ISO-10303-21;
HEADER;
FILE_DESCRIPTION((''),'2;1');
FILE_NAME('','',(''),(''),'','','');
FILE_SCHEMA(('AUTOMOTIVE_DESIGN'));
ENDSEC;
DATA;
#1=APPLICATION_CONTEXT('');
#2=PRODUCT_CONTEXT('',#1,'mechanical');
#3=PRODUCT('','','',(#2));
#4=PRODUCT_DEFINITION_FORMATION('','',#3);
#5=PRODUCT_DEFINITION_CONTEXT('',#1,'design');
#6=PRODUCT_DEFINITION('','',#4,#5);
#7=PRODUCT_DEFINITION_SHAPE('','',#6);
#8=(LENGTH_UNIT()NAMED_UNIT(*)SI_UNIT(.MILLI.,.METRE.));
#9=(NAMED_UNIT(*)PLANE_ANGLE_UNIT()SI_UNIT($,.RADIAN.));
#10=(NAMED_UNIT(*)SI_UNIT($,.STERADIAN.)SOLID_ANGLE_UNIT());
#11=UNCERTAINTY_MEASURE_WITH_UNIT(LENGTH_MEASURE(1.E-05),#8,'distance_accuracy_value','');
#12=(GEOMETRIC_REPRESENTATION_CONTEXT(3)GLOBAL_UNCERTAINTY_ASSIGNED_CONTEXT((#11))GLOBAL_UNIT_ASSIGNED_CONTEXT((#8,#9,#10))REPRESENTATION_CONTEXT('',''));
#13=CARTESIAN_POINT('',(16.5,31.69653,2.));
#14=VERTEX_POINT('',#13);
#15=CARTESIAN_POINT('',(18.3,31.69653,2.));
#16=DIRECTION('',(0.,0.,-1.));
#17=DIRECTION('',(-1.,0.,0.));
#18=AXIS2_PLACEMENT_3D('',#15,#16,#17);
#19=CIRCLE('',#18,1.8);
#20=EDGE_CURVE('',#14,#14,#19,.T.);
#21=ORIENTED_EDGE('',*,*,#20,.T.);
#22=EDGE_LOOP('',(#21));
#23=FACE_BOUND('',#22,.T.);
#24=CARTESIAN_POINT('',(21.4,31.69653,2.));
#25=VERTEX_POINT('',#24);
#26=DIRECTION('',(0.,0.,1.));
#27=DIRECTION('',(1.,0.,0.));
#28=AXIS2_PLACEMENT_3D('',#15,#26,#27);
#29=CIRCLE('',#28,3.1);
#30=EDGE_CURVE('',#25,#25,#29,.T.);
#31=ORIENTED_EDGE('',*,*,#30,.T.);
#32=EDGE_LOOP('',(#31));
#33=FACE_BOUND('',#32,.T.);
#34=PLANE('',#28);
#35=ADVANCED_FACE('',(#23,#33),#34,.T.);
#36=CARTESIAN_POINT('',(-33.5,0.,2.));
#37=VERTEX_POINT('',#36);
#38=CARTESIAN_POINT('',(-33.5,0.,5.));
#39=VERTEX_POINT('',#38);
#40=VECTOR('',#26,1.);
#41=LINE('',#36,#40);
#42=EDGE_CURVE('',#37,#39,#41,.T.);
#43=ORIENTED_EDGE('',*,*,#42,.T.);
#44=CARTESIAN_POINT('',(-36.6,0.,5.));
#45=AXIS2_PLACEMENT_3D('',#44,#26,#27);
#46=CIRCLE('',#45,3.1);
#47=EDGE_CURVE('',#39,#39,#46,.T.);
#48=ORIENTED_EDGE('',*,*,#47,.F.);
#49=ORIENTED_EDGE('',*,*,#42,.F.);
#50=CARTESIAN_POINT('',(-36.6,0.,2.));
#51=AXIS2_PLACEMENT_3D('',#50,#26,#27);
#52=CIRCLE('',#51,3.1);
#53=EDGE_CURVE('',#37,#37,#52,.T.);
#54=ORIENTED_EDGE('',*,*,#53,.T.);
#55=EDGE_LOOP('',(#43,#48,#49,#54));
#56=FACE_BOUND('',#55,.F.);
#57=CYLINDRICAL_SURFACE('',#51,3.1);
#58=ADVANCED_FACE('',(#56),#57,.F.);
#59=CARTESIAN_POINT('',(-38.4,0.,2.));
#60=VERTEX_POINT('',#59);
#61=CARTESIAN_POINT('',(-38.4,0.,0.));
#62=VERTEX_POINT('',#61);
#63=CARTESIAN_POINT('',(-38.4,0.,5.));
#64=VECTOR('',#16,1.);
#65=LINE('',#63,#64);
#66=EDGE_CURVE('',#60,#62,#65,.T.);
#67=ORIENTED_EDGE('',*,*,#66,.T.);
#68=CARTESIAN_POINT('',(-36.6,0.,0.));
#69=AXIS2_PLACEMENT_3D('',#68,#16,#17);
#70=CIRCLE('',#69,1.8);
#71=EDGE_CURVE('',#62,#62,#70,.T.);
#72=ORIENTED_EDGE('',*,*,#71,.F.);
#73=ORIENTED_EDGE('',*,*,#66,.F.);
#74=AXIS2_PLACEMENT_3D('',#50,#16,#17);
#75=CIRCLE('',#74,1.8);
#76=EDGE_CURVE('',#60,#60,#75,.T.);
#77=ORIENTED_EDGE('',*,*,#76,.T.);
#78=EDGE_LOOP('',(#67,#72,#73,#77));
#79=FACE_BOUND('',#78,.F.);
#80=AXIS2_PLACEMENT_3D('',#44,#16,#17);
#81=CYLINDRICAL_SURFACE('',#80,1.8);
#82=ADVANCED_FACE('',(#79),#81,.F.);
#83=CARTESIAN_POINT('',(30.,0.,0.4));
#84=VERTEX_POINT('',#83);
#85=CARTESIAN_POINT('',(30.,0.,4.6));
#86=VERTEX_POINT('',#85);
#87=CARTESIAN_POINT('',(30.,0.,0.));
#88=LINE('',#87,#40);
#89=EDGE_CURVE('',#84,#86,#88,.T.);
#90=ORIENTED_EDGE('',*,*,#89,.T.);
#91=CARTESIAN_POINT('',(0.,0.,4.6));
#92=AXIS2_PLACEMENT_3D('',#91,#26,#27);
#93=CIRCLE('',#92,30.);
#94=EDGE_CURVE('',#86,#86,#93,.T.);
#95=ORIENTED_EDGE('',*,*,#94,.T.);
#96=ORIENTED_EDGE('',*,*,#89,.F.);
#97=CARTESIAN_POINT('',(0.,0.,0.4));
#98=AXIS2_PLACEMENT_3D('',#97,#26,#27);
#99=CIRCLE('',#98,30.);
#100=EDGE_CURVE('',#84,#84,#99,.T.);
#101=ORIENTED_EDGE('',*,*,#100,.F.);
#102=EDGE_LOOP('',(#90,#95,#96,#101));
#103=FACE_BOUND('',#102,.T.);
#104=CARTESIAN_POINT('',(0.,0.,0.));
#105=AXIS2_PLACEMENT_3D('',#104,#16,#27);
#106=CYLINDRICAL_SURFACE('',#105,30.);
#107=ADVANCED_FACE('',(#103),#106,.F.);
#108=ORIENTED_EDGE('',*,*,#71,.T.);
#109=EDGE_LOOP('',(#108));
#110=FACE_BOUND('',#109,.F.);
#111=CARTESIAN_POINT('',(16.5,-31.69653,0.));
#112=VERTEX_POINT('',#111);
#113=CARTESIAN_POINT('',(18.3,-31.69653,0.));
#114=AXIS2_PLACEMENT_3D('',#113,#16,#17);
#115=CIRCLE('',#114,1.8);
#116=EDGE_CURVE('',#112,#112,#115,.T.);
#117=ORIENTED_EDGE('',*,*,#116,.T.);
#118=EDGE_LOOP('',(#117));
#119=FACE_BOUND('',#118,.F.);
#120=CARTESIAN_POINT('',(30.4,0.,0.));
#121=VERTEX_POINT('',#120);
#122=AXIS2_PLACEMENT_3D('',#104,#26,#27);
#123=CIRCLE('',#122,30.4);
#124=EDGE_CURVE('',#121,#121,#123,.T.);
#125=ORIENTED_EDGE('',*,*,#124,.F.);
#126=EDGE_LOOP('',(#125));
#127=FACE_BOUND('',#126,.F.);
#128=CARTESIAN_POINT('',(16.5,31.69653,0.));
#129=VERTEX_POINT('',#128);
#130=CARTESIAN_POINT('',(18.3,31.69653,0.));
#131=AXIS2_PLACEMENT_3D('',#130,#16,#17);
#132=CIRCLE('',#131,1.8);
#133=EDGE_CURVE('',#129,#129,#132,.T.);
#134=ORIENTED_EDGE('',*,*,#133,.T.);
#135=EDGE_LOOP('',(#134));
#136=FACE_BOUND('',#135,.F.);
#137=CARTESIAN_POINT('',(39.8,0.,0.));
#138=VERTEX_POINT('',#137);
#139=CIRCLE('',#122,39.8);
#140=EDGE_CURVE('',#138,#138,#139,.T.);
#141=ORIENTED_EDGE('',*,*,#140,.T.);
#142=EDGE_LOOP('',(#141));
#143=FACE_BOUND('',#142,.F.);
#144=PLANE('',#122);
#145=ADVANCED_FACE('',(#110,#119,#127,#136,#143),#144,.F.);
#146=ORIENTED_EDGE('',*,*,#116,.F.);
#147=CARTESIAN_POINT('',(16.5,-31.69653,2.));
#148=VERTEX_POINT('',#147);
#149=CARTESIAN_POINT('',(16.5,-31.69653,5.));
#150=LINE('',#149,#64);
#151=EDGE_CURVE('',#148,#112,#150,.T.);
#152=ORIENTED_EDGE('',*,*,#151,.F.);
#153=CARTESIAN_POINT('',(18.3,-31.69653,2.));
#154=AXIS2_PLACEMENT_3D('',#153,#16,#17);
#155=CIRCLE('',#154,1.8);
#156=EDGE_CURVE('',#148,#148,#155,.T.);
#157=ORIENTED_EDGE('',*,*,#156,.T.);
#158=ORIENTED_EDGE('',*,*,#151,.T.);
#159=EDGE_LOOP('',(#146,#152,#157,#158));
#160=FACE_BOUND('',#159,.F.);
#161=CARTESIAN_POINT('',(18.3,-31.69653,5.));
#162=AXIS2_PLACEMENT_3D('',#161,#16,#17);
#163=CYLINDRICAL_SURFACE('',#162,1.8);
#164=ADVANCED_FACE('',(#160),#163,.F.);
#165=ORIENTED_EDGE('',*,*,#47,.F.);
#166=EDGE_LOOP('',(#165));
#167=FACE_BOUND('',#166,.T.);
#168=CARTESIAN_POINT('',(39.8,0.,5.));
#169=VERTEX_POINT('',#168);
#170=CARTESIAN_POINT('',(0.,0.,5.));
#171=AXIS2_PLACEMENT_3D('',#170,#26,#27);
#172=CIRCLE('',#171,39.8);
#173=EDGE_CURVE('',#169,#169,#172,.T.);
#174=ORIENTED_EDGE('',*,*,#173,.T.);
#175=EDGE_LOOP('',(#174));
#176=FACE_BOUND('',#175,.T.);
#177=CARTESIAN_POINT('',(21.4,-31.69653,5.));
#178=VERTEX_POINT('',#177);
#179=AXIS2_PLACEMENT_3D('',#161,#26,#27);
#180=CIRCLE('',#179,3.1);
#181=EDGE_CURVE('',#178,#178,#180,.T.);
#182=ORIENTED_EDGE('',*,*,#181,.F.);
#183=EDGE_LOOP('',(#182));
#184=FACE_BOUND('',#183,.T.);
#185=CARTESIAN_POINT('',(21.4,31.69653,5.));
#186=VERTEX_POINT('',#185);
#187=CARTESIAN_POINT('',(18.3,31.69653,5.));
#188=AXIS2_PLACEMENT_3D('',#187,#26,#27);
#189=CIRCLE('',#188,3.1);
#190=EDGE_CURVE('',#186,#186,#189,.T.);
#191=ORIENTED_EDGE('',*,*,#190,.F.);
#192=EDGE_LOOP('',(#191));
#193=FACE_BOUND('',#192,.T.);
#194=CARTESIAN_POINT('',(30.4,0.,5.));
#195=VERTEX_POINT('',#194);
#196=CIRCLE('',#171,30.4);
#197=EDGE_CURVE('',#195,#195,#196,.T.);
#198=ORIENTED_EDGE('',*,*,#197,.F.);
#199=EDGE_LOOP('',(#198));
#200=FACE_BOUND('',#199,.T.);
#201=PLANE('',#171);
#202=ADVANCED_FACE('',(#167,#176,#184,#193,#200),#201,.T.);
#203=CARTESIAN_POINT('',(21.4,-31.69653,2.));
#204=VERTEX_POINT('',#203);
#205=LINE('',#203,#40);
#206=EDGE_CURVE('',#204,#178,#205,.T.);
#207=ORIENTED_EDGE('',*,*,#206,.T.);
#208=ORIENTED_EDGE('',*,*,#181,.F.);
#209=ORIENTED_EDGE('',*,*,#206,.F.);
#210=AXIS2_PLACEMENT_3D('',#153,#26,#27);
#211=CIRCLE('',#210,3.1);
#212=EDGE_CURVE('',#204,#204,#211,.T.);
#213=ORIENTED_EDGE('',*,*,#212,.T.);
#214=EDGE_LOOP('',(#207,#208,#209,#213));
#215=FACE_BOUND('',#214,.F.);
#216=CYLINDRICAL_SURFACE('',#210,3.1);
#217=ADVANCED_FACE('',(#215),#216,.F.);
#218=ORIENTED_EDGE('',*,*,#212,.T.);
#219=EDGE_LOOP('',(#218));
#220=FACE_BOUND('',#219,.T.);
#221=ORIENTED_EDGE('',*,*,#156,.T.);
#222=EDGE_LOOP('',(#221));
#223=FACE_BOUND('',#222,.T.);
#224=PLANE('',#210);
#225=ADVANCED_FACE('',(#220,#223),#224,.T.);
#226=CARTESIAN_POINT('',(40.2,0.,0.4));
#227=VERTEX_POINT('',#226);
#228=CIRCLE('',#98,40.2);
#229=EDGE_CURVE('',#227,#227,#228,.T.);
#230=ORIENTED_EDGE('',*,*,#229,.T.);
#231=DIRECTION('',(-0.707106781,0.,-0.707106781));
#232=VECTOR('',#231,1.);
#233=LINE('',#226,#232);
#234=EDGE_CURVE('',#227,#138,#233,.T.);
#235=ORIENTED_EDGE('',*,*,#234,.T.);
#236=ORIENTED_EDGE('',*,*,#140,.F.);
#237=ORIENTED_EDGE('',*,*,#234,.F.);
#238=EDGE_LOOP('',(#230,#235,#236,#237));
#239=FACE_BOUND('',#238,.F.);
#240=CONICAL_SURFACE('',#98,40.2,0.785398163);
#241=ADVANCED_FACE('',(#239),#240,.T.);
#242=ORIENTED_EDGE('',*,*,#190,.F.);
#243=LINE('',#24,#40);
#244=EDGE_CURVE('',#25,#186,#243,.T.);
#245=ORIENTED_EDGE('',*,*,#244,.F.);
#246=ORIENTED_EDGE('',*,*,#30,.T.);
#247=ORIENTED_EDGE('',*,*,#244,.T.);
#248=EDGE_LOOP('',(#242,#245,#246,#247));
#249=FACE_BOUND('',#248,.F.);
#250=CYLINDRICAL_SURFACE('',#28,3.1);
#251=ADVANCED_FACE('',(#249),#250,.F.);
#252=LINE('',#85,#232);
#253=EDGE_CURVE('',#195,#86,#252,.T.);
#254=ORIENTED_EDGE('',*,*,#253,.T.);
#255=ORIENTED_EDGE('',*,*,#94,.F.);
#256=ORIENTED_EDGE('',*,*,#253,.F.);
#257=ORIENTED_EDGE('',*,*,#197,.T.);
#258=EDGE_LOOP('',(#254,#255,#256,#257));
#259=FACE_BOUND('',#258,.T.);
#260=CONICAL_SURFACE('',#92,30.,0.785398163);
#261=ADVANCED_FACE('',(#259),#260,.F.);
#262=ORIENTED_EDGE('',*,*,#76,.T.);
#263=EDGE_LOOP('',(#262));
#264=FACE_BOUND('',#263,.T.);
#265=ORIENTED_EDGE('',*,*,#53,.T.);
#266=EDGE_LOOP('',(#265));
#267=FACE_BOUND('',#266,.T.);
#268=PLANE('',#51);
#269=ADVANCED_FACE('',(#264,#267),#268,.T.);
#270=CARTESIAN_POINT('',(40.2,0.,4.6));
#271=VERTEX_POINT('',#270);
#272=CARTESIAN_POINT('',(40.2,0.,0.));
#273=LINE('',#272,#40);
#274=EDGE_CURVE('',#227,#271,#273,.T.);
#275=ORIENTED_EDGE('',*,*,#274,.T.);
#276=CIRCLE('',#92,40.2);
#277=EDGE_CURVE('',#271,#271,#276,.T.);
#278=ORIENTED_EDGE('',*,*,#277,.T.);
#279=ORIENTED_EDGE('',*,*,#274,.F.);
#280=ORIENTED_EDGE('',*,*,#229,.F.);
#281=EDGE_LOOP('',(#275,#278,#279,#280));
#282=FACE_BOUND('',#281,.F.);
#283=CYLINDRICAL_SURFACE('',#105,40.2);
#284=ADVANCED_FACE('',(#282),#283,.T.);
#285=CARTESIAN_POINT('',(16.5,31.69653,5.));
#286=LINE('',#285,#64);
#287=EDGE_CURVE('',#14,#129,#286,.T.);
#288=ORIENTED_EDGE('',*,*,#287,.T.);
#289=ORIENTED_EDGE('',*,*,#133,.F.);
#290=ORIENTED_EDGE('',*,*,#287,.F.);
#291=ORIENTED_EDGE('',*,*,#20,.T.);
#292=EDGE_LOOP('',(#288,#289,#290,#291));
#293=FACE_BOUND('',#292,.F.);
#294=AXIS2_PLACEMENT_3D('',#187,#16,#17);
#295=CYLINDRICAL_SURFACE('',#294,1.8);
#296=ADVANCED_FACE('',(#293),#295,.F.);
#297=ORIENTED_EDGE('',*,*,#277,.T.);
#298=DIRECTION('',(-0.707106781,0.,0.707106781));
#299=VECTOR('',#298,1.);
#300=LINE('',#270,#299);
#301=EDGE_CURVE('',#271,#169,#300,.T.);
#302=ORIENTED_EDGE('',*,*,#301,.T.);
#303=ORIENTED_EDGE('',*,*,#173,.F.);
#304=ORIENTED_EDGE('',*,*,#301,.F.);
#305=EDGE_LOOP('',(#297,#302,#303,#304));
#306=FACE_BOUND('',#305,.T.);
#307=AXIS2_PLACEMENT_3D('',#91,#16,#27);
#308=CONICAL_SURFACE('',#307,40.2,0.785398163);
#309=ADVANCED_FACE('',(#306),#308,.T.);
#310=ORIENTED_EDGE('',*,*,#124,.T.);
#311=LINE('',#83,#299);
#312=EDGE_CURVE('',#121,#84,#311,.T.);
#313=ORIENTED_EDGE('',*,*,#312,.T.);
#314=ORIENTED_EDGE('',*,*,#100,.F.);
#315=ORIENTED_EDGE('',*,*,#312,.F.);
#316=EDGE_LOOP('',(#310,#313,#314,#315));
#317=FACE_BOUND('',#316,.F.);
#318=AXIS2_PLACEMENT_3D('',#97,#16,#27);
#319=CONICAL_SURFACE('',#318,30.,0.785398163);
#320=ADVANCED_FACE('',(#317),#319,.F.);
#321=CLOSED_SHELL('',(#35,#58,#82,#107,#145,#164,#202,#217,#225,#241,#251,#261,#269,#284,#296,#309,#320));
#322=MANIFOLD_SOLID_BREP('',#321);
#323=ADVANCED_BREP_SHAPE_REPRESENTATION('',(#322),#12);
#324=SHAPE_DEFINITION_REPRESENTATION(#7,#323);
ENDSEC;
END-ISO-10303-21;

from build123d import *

# Parameters (mm, degrees)
SKETCH_R         = 40.2
SKETCH_R_2       = 30
PAD_DEPTH        = 5
HOLE_D           = 3.6
HOLE_DEPTH       = 5
HOLE_CBORE_D     = 6.2
HOLE_CBORE_DEPTH = 3
CHAMFER_SIZE     = 0.4


with BuildPart() as part:
    # Sketch → Pad (new body)
    with BuildSketch(Plane.XY):
        Circle(SKETCH_R)
        Circle(SKETCH_R_2, mode=Mode.SUBTRACT)
    extrude(amount=PAD_DEPTH)

    # Hole
    with Locations(Plane.XY.offset(5)):
        with Locations((-36.6, 0), (18.3, 31.69653), (18.3, -31.69653)):
            CounterBoreHole(HOLE_D / 2, HOLE_CBORE_D / 2, HOLE_CBORE_DEPTH, depth=HOLE_DEPTH)

    # Chamfer
    chamfer_edges = [part.edges().sort_by_distance(p)[0] for p in [
        (-40.2, 0, 5),
        (-30, 0, 5),
        (-40.2, 0, 0),
        (-30, 0, 0),
    ]]
    chamfer(chamfer_edges, length=CHAMFER_SIZE)


solid = part.part
